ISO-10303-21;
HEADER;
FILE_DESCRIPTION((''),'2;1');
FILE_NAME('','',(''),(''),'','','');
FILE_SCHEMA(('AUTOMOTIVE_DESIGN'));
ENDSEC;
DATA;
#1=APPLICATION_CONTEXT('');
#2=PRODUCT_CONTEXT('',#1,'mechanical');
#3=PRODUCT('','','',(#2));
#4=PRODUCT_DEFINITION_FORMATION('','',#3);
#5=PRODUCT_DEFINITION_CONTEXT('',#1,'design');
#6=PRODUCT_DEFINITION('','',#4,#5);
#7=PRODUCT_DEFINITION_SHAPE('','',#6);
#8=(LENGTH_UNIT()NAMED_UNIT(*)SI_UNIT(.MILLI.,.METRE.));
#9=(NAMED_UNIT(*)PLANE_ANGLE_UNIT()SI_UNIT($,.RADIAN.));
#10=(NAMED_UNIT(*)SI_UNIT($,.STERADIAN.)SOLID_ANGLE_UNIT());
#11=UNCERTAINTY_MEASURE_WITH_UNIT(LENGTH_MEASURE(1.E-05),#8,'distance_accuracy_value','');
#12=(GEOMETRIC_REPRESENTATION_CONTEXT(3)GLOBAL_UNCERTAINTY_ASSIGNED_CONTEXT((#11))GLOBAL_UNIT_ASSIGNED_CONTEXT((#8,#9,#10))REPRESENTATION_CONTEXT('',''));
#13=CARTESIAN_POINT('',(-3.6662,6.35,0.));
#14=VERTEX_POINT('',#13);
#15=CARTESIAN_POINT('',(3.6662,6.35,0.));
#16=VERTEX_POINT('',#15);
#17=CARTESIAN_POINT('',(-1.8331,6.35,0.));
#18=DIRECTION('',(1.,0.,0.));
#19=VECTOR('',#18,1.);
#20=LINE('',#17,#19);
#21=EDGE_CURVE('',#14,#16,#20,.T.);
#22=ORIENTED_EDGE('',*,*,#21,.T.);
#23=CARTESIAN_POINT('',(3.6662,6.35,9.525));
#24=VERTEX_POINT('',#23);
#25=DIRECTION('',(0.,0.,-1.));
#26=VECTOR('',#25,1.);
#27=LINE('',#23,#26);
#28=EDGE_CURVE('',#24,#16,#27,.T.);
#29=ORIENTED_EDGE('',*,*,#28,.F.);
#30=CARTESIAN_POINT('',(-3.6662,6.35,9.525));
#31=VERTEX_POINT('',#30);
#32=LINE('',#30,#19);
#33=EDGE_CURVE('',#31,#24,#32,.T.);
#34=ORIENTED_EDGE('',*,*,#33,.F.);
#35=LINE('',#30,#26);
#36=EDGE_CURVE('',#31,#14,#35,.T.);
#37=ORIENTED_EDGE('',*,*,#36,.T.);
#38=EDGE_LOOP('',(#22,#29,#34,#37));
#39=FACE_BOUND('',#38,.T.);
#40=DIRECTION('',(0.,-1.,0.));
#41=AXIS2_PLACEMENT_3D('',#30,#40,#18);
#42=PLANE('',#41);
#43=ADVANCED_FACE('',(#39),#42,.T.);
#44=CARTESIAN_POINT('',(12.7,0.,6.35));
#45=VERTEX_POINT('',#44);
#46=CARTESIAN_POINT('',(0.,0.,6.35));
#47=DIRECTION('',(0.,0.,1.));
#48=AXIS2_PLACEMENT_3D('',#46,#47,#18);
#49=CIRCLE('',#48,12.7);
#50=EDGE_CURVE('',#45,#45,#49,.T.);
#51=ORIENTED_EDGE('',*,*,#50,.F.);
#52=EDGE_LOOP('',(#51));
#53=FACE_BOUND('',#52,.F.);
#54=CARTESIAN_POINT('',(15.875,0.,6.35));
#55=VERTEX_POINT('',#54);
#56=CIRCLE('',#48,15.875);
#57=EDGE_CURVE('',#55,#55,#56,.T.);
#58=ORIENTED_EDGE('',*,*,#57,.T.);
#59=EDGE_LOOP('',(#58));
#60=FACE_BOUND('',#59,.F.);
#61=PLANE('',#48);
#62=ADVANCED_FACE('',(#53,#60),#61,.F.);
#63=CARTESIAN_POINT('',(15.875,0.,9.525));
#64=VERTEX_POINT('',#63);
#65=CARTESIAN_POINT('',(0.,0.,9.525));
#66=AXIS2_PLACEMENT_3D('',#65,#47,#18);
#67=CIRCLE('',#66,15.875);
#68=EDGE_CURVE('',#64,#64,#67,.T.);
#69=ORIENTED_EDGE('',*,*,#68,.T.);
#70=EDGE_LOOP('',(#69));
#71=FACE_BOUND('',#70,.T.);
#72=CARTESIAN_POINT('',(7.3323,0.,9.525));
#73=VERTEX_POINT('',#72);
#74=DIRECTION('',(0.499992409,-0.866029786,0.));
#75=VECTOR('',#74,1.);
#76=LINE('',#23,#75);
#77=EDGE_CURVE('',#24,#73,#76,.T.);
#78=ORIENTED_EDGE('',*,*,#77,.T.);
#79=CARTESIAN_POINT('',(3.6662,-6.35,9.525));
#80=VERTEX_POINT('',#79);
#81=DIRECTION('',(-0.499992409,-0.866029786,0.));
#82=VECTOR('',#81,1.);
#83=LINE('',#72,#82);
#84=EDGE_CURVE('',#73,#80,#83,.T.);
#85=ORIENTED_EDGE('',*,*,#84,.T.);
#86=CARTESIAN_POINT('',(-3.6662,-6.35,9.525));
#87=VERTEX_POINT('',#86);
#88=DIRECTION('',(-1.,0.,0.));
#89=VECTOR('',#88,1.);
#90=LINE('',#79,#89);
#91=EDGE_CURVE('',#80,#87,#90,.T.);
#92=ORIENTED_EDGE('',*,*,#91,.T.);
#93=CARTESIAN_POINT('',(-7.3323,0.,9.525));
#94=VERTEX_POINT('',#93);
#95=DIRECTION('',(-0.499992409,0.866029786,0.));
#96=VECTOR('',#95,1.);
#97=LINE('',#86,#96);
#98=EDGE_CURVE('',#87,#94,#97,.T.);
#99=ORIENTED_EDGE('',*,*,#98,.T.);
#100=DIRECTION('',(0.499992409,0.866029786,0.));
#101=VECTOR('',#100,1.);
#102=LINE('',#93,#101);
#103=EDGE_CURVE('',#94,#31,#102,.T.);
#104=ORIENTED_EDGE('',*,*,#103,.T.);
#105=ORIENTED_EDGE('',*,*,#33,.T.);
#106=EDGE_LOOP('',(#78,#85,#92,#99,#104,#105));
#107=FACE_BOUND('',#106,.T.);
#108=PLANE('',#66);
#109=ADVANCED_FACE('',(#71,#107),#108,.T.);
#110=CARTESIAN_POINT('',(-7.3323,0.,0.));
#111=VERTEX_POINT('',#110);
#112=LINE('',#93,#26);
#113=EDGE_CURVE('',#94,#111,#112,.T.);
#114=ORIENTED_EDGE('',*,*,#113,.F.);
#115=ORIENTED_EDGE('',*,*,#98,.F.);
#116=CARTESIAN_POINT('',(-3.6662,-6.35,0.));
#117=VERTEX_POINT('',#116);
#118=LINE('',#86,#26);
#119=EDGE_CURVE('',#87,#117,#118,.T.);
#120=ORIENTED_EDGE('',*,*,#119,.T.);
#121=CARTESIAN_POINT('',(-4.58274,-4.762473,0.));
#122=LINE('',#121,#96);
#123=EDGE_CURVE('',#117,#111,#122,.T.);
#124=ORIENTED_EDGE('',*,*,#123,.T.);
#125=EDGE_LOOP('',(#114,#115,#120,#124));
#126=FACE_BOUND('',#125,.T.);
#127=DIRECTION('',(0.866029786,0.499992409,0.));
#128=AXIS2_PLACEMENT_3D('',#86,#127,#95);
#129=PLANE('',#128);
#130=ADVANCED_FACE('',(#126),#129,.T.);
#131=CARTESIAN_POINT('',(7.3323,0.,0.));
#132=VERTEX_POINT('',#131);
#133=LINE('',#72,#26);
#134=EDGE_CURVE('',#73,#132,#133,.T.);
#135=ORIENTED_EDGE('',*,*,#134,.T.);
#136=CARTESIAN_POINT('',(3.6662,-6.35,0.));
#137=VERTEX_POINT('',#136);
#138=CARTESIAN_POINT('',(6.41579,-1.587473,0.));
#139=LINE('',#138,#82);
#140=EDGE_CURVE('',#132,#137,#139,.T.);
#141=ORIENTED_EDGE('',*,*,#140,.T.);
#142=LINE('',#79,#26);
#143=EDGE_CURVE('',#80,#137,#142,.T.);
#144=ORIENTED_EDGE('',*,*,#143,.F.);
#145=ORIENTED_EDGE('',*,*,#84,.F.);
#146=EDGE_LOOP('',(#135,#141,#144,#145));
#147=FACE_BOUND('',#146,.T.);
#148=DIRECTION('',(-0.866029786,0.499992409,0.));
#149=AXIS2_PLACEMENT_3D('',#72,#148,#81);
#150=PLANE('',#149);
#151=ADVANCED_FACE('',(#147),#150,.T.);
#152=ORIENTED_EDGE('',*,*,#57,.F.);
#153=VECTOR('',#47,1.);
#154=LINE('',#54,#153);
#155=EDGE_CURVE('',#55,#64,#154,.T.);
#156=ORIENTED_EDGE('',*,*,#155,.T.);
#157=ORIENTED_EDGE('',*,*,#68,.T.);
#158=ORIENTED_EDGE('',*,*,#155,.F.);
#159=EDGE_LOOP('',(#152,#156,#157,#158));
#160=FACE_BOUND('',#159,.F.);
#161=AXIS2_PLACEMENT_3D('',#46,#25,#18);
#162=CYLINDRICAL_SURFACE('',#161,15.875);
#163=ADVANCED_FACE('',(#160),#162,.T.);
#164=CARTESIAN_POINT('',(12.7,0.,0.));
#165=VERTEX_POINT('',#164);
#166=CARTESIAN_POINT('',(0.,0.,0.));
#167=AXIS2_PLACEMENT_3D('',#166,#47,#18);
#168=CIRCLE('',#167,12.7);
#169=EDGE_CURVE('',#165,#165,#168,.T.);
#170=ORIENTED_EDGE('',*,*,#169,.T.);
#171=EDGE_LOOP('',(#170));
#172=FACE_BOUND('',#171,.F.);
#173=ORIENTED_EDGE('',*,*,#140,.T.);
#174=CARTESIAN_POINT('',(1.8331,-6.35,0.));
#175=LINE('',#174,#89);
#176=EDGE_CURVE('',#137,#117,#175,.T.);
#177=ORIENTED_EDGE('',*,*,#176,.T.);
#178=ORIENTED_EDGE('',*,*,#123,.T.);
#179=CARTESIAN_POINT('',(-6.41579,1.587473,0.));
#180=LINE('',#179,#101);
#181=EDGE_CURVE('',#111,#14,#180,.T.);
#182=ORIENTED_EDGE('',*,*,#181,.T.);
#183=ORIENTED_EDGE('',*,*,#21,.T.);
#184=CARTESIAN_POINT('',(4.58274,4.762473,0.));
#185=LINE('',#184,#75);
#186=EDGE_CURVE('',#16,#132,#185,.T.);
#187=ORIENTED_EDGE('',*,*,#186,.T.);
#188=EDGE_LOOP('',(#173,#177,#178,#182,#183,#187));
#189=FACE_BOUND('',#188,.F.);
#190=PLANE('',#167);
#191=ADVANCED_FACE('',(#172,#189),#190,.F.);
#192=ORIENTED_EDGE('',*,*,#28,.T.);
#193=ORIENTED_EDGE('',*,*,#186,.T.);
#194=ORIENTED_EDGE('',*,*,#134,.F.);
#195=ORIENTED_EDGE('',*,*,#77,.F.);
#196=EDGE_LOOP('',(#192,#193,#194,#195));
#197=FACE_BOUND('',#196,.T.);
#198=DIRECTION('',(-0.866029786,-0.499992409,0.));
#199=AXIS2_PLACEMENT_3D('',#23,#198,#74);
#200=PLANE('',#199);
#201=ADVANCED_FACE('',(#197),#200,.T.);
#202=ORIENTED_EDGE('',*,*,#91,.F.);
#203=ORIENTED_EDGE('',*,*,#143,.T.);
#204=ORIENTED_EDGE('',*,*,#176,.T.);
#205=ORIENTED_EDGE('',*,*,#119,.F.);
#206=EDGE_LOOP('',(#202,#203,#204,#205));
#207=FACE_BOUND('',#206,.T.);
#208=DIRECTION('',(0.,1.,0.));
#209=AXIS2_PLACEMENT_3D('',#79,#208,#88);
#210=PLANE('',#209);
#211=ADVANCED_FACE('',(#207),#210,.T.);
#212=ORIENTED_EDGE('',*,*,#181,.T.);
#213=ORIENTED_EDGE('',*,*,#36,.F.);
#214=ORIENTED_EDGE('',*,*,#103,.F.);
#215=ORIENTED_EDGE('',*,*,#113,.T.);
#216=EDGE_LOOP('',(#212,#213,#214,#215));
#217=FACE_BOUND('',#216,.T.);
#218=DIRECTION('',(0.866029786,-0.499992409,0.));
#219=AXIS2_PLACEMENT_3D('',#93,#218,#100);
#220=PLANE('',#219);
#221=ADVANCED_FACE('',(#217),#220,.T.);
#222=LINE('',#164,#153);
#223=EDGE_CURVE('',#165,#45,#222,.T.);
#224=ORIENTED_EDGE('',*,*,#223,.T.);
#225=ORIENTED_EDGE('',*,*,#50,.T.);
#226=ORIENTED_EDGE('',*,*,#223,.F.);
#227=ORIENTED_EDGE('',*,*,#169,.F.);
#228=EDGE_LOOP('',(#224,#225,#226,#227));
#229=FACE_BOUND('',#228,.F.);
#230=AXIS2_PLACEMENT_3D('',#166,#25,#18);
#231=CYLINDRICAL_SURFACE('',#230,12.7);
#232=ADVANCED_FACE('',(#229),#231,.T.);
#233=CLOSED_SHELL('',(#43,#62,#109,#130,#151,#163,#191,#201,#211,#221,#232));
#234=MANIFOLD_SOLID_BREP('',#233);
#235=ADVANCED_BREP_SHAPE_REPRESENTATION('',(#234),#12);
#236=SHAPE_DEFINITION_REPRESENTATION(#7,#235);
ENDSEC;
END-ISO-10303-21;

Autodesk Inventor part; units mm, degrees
ref_plane "YZ Plane" through (0, 0, 0) normal (1, 0, 0) x (0, 1, 0)
ref_plane "XZ Plane" through (0, 0, 0) normal (0, 1, 0) x (-1, 0, 0)
ref_plane "XY Plane" through (0, 0, 0) normal (0, 0, 1) x (1, 0, 0)
sketch "Sketch1" plane through (0, 0, 0) normal (0, 0, 1) x (1, 0, 0)
  circle A0 centre (0, 0) radius 12.7
  dimension "d0" = 25.4
extrude "Extrusion1" add sketch "Sketch1" along normal blind 6.35
sketch "Sketch2" plane through (0, 0, 6.35) normal (0, 0, 1) x (1, 0, 0)
  circle A0 centre (0, 0) radius 12.7 projected
  circle A1 centre (0, 0) radius 15.875
  dimension "d3" = 31.75
extrude "Extrusion2" add sketch "Sketch2" along normal blind 3.175
sketch "Sketch3" plane through (0, 0, 6.35) normal (0, 0, 1) x (1, 0, 0)
  circle A0 centre (0, 0) radius 12.7 projected
extrude "Extrusion3" add sketch "Sketch3" along normal blind 3.175
sketch "Sketch4" plane through (0, 0, 9.525) normal (0, 0, 1) x (1, 0, 0)
  circle A0 centre (0, 0) radius 15.875 projected
  line L0 (3.6662, 6.35) -> (7.3323, 0)
  line L1 (7.3323, 0) -> (3.6662, -6.35)
  line L2 (3.6662, -6.35) -> (-3.6662, -6.35)
  line L3 (-3.6662, -6.35) -> (-7.3323, 0)
  line L4 (-7.3323, 0) -> (-3.6662, 6.35)
  line L5 (-3.6662, 6.35) -> (3.6662, 6.35)
  line L6 (0, 0) -> (21.004, 0)
  dimension "d8" = 12.7
extrude "Extrusion4" cut sketch "Sketch4" against normal through all contours L1 L2 L3 L4 L5 L0
properties part number "Hex bearing" material "Iron, Cast"
